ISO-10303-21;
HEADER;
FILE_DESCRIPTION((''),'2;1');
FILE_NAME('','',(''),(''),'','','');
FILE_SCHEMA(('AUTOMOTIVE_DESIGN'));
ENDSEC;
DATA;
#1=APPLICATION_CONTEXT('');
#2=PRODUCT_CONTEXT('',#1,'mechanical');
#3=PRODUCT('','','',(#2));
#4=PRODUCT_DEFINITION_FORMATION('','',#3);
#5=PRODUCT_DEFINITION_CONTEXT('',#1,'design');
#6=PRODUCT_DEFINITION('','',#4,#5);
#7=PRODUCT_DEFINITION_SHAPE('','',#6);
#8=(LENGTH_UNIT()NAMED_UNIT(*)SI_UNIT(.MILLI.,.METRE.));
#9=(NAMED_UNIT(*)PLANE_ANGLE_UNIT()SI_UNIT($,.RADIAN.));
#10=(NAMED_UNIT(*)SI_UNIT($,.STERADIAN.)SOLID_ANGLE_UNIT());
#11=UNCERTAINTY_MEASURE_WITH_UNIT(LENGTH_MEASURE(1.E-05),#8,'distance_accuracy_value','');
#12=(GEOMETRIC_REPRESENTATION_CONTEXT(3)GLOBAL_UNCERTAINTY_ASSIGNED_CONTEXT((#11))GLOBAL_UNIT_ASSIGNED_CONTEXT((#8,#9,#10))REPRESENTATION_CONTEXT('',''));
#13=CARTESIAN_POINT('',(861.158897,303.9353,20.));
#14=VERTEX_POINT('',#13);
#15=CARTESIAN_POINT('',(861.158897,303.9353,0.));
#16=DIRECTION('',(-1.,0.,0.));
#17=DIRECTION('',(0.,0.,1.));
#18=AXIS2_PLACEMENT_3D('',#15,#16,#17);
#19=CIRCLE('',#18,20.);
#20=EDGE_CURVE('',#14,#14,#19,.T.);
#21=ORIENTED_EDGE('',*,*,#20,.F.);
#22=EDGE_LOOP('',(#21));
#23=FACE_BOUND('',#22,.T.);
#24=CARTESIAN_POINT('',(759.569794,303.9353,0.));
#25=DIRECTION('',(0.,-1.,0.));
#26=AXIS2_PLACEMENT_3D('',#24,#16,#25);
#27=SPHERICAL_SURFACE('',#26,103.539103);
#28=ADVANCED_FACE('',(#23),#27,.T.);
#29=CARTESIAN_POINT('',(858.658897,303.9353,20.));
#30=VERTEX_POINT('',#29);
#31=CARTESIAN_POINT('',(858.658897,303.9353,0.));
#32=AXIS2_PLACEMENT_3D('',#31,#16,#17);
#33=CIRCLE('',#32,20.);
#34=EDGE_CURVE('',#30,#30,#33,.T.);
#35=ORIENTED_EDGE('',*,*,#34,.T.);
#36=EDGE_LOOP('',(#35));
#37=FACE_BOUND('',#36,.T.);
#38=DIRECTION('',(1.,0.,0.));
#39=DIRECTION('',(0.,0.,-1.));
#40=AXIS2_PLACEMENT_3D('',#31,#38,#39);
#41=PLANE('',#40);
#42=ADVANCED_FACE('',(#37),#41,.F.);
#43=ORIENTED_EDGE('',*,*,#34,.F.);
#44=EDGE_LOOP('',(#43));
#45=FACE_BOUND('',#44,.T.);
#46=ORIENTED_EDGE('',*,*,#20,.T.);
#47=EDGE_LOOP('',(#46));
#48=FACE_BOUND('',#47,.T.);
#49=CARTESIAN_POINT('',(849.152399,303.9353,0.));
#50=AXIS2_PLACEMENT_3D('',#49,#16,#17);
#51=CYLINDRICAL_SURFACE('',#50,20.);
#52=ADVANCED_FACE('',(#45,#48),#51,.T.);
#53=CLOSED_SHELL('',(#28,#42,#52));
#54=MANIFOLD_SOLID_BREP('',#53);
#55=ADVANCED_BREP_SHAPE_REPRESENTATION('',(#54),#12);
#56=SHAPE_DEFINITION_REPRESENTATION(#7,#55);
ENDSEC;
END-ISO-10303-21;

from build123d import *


with BuildPart() as part:
    # 草图1 → 旋转1 (revolve)
    with BuildSketch(Plane.XY, mode=Mode.PRIVATE) as revolve_1_sk:
        with BuildLine():
            Line((858.658896654, 303.935300341), (858.658896654, 323.935300341))
            Line((858.658896654, 323.935300341), (861.158896654, 323.935300341))
            ThreePointArc((861.158896654, 323.935300341), (862.620243554, 313.982719163), (863.108896654, 303.935300341))
            Line((863.108896654, 303.935300341), (858.658896654, 303.935300341))
        make_face()
    revolve(revolve_1_sk.sketch.rotate(Axis((849.152399334, 303.935300341, 0), (1, 0, 0)), 180), axis=Axis((849.152399334, 303.935300341, 0), (1, 0, 0)))  # turned: the seam where the file's is


solid = part.part
